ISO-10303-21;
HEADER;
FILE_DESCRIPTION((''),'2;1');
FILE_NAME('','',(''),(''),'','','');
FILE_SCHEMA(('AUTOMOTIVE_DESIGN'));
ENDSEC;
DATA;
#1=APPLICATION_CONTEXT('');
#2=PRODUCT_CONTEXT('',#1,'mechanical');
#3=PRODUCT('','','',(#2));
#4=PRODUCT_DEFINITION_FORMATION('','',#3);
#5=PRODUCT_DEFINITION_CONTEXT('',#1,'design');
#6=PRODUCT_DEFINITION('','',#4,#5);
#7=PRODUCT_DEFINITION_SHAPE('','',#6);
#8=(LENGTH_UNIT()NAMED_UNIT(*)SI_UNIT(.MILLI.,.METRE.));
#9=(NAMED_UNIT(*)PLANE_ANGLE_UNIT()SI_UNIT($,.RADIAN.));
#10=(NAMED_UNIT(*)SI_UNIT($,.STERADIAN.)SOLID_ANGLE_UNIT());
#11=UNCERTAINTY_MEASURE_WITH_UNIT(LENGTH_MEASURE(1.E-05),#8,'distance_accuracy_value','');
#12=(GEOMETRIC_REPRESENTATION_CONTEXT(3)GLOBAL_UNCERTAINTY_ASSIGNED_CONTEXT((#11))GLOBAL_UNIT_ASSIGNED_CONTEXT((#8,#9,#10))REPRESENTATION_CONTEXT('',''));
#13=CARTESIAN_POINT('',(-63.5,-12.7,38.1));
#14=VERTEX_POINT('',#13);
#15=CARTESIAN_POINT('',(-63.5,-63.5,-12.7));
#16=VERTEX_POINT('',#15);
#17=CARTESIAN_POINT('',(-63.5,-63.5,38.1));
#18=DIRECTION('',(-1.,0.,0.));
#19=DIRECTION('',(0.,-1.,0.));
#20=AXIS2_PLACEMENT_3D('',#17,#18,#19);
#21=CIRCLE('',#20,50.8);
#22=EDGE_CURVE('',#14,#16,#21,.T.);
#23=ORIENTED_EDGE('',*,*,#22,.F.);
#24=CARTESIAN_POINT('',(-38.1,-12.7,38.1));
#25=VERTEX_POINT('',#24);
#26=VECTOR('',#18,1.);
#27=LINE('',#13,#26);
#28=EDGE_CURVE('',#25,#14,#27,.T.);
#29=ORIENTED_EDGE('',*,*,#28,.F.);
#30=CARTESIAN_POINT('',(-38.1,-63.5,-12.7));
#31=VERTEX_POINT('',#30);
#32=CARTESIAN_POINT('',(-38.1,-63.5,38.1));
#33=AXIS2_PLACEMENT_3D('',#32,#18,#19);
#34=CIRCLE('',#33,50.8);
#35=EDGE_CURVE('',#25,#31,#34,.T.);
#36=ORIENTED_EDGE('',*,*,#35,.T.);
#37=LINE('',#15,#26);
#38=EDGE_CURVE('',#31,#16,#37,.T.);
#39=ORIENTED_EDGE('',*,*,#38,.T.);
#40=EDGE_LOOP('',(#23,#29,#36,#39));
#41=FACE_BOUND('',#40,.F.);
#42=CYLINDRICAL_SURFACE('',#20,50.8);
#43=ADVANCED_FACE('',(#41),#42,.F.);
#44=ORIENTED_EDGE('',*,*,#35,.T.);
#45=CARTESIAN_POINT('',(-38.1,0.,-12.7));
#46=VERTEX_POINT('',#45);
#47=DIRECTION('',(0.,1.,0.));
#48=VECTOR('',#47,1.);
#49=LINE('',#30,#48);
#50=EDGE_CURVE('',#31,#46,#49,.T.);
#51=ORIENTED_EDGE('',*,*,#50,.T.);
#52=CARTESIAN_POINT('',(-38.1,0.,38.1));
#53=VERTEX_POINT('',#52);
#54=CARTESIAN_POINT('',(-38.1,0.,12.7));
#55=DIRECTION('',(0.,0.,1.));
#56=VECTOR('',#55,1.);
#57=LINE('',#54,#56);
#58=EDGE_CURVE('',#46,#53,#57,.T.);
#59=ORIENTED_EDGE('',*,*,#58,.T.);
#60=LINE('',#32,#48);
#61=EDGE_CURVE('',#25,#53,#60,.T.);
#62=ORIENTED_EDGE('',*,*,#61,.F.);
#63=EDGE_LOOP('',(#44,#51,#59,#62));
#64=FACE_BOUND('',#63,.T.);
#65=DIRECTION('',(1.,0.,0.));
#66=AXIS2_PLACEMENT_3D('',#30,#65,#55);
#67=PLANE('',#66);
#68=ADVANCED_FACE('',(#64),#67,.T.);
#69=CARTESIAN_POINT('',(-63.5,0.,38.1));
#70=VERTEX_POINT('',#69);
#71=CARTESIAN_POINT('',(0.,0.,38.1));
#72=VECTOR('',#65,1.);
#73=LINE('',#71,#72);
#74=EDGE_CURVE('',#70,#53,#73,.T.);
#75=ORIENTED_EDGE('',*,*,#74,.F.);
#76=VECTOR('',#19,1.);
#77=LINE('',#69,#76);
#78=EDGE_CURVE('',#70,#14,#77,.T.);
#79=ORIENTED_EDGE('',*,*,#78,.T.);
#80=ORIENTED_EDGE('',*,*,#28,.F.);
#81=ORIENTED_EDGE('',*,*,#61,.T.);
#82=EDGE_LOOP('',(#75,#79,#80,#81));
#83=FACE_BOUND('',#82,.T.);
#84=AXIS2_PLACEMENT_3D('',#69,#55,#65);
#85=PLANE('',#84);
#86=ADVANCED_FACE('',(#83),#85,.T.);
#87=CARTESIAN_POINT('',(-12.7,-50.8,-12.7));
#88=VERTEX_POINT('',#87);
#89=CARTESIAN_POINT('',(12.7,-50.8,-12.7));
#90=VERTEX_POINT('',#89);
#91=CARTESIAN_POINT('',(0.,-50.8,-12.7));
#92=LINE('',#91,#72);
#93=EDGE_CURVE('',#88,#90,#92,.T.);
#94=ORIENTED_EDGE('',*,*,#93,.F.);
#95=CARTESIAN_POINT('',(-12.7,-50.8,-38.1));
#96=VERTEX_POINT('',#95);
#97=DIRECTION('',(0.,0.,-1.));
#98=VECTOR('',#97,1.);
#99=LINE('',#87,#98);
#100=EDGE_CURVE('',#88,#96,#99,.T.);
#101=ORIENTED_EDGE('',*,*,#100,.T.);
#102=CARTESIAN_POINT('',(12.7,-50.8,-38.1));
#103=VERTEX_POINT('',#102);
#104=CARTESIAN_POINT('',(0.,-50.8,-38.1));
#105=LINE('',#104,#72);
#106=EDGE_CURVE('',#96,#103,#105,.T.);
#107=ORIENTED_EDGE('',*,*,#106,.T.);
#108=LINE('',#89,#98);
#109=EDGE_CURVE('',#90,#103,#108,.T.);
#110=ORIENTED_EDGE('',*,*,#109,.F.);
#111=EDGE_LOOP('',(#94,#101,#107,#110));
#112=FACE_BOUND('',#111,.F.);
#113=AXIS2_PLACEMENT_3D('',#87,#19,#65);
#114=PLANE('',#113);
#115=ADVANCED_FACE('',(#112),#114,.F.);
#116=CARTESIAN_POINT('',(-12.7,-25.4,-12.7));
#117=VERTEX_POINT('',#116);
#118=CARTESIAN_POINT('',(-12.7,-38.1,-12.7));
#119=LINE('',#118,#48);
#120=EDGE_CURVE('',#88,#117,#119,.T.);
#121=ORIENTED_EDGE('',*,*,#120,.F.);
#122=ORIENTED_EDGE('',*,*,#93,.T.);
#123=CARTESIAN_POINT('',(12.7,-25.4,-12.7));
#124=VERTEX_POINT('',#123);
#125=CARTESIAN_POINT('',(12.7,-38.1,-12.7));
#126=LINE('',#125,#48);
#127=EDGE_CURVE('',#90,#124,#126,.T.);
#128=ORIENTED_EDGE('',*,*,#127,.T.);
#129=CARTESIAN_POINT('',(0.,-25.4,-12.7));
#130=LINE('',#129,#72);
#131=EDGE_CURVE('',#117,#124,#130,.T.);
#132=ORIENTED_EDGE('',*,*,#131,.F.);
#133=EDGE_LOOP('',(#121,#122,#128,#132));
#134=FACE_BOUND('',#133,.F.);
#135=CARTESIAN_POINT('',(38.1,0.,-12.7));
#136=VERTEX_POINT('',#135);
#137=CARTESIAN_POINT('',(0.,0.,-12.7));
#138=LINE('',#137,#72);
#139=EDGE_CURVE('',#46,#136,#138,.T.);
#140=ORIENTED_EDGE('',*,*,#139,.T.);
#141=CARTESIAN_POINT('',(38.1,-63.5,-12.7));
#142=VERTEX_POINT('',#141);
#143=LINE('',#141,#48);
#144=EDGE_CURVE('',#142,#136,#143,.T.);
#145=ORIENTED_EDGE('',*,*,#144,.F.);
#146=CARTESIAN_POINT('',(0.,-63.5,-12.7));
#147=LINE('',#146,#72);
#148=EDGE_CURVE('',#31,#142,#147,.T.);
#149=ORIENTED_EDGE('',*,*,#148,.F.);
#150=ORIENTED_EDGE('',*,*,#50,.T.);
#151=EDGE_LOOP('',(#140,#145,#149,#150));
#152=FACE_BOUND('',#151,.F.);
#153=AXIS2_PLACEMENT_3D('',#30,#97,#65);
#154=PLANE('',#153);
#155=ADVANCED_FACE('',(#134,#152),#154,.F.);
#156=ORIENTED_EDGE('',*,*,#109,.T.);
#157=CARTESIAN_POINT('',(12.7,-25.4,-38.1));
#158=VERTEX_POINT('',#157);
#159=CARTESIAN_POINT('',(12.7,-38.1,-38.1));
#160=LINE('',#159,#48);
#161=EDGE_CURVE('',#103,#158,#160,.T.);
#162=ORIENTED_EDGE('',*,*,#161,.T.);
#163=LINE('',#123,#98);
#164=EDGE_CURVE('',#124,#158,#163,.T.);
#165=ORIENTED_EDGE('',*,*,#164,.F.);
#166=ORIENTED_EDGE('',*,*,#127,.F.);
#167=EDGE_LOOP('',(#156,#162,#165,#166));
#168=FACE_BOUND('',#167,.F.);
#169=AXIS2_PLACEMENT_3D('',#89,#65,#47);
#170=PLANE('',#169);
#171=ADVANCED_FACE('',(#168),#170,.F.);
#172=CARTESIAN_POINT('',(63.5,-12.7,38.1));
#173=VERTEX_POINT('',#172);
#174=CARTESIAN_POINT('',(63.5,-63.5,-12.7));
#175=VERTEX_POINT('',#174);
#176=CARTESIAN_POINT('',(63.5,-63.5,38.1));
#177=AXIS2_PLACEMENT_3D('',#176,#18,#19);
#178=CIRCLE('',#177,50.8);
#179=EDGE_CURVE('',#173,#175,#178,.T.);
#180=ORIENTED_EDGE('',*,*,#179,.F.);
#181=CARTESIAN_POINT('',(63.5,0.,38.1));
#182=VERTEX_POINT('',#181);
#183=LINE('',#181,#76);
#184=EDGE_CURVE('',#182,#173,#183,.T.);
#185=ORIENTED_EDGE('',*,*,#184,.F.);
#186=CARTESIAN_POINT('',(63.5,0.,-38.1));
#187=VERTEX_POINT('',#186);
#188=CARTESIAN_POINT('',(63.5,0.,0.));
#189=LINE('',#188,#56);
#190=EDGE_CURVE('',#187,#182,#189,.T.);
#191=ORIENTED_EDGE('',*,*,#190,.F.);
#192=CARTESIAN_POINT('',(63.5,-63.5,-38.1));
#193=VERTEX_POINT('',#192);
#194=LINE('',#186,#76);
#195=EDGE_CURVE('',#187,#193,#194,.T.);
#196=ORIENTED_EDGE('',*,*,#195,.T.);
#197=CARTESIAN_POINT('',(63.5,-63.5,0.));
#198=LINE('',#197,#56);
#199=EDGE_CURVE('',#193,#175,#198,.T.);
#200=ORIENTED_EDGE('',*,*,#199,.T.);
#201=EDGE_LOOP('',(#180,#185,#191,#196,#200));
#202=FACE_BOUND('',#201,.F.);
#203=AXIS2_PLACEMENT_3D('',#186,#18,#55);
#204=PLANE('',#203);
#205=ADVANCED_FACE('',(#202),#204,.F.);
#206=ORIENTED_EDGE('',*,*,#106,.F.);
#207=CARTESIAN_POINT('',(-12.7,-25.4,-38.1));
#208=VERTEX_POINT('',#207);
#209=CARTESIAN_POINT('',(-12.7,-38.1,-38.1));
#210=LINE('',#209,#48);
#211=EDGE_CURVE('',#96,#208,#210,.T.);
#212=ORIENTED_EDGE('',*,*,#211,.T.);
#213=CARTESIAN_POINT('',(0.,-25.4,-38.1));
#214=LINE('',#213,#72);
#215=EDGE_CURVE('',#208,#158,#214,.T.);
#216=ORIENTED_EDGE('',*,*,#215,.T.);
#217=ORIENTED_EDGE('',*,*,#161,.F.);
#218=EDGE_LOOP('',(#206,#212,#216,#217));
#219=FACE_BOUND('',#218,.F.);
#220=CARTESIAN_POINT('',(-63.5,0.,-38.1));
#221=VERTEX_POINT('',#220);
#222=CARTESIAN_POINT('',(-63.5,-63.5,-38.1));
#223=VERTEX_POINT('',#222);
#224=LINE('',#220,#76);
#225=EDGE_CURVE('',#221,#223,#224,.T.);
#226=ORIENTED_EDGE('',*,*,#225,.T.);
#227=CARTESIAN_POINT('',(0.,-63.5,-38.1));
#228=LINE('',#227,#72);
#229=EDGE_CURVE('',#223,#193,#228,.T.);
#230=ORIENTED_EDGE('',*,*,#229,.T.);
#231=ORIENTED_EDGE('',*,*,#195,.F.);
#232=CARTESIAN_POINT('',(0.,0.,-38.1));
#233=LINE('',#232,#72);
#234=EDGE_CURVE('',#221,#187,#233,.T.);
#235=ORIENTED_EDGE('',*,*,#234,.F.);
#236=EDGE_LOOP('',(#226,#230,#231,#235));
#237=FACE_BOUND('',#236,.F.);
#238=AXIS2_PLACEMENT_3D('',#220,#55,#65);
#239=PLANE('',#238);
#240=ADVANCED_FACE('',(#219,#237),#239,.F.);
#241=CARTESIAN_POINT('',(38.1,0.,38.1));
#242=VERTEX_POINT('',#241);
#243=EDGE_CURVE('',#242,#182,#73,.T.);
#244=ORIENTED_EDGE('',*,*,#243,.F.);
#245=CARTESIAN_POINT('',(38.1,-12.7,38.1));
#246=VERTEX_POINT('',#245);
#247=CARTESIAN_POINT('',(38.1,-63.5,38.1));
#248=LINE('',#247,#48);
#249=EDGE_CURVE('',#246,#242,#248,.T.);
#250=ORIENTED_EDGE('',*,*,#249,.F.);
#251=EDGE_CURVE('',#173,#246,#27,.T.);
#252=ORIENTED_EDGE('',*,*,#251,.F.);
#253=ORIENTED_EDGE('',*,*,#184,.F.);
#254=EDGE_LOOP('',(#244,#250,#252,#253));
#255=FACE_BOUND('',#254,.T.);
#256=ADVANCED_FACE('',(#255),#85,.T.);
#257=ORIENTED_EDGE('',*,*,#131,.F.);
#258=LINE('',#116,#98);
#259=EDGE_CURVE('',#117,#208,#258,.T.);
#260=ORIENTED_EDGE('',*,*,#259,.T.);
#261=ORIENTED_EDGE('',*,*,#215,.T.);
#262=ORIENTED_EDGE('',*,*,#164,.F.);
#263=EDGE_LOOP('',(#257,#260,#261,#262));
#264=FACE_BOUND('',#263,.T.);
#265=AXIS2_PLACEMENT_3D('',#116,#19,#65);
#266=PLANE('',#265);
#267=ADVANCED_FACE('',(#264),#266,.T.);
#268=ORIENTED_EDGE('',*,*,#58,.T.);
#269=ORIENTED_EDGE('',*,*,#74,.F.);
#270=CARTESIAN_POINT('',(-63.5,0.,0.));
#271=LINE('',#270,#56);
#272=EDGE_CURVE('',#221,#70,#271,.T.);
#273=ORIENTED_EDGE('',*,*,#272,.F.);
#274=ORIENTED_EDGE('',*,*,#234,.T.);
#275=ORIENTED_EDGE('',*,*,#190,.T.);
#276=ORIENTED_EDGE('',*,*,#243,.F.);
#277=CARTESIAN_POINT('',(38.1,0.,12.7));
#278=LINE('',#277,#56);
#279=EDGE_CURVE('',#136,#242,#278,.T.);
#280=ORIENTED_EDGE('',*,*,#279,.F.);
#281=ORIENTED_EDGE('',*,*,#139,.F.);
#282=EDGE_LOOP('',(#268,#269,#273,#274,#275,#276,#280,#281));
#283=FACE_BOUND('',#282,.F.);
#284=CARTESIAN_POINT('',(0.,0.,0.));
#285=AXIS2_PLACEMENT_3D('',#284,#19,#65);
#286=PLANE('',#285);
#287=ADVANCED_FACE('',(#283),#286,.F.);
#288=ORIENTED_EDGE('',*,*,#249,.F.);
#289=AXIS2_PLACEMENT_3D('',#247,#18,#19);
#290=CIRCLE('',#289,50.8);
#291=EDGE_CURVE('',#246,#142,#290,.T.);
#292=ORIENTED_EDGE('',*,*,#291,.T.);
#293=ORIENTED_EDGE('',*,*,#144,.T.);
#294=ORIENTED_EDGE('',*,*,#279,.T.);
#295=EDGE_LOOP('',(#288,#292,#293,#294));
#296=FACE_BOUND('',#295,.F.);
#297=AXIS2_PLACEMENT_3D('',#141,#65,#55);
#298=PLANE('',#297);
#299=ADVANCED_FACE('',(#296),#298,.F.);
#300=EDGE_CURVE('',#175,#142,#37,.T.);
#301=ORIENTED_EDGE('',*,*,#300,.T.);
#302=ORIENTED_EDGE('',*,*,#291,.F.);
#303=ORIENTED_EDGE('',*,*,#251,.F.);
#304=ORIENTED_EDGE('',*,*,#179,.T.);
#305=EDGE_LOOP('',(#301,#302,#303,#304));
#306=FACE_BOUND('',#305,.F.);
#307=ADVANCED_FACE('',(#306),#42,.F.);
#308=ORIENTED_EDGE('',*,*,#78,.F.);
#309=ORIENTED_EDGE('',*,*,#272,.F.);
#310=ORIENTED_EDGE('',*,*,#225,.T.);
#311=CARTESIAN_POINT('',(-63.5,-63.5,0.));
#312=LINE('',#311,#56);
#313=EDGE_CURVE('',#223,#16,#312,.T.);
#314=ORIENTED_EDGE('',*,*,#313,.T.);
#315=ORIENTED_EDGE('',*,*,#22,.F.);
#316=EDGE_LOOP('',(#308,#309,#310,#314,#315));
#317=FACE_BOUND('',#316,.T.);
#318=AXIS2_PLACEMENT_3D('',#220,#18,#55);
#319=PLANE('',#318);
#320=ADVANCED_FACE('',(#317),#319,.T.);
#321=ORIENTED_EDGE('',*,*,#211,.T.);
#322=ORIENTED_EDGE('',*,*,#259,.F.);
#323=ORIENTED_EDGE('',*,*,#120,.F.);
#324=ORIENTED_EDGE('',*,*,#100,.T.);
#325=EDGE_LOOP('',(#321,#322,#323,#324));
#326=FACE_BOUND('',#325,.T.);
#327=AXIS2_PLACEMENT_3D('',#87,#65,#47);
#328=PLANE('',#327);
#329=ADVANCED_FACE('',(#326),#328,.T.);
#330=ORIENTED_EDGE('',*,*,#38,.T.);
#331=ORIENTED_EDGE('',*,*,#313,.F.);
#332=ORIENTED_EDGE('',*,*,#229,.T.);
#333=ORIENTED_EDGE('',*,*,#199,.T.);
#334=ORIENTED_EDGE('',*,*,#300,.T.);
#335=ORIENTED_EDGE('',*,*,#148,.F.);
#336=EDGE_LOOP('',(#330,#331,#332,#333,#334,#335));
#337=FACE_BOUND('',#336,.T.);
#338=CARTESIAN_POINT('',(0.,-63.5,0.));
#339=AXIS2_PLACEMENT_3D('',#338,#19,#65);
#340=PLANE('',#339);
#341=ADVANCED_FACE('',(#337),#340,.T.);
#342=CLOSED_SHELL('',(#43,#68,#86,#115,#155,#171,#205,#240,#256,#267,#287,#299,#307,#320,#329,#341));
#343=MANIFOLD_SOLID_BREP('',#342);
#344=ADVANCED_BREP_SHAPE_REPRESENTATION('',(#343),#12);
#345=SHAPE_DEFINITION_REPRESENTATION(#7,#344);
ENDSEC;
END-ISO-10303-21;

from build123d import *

# Parameters (mm, degrees)
F0_W     = 127
F0_H     = 76.2
F1_DEPTH = 63.5
F2_W     = 76.2
F2_H     = 50.8
F3_DEPTH = 63.5
F4_R     = 50.8
F5_DEPTH = 132.08
F6_W     = 25.4
F6_H     = 25.4
F7_DEPTH = 25.4


with BuildPart() as f1:
    # F0 (on Front) → F1 (new body)
    with BuildSketch(Plane.XZ):
        Rectangle(F0_W, F0_H)
    extrude(amount=F1_DEPTH)

    # F2 (on face) → F3 (cut)
    with BuildSketch(Plane.XZ.offset(63.5)):
        with Locations((0, 12.7)):
            Rectangle(F2_W, F2_H)
    extrude(amount=-F3_DEPTH, mode=Mode.SUBTRACT)

    # F4 (on face) → F5 (cut)
    with BuildSketch(Plane(origin=(-63.5, 0, 0), x_dir=(0, -1, 0), z_dir=(-1, 0, 0))):
        with Locations((63.5, 38.1)):
            Circle(F4_R)
    extrude(amount=-F5_DEPTH, mode=Mode.SUBTRACT)

    # F6 (on face) → F7 (cut)
    with BuildSketch(Plane.XY.offset(-12.7)):
        with Locations((0, -38.1)):
            Rectangle(F6_W, F6_H)
    extrude(amount=-F7_DEPTH, mode=Mode.SUBTRACT)


solid = f1.part
